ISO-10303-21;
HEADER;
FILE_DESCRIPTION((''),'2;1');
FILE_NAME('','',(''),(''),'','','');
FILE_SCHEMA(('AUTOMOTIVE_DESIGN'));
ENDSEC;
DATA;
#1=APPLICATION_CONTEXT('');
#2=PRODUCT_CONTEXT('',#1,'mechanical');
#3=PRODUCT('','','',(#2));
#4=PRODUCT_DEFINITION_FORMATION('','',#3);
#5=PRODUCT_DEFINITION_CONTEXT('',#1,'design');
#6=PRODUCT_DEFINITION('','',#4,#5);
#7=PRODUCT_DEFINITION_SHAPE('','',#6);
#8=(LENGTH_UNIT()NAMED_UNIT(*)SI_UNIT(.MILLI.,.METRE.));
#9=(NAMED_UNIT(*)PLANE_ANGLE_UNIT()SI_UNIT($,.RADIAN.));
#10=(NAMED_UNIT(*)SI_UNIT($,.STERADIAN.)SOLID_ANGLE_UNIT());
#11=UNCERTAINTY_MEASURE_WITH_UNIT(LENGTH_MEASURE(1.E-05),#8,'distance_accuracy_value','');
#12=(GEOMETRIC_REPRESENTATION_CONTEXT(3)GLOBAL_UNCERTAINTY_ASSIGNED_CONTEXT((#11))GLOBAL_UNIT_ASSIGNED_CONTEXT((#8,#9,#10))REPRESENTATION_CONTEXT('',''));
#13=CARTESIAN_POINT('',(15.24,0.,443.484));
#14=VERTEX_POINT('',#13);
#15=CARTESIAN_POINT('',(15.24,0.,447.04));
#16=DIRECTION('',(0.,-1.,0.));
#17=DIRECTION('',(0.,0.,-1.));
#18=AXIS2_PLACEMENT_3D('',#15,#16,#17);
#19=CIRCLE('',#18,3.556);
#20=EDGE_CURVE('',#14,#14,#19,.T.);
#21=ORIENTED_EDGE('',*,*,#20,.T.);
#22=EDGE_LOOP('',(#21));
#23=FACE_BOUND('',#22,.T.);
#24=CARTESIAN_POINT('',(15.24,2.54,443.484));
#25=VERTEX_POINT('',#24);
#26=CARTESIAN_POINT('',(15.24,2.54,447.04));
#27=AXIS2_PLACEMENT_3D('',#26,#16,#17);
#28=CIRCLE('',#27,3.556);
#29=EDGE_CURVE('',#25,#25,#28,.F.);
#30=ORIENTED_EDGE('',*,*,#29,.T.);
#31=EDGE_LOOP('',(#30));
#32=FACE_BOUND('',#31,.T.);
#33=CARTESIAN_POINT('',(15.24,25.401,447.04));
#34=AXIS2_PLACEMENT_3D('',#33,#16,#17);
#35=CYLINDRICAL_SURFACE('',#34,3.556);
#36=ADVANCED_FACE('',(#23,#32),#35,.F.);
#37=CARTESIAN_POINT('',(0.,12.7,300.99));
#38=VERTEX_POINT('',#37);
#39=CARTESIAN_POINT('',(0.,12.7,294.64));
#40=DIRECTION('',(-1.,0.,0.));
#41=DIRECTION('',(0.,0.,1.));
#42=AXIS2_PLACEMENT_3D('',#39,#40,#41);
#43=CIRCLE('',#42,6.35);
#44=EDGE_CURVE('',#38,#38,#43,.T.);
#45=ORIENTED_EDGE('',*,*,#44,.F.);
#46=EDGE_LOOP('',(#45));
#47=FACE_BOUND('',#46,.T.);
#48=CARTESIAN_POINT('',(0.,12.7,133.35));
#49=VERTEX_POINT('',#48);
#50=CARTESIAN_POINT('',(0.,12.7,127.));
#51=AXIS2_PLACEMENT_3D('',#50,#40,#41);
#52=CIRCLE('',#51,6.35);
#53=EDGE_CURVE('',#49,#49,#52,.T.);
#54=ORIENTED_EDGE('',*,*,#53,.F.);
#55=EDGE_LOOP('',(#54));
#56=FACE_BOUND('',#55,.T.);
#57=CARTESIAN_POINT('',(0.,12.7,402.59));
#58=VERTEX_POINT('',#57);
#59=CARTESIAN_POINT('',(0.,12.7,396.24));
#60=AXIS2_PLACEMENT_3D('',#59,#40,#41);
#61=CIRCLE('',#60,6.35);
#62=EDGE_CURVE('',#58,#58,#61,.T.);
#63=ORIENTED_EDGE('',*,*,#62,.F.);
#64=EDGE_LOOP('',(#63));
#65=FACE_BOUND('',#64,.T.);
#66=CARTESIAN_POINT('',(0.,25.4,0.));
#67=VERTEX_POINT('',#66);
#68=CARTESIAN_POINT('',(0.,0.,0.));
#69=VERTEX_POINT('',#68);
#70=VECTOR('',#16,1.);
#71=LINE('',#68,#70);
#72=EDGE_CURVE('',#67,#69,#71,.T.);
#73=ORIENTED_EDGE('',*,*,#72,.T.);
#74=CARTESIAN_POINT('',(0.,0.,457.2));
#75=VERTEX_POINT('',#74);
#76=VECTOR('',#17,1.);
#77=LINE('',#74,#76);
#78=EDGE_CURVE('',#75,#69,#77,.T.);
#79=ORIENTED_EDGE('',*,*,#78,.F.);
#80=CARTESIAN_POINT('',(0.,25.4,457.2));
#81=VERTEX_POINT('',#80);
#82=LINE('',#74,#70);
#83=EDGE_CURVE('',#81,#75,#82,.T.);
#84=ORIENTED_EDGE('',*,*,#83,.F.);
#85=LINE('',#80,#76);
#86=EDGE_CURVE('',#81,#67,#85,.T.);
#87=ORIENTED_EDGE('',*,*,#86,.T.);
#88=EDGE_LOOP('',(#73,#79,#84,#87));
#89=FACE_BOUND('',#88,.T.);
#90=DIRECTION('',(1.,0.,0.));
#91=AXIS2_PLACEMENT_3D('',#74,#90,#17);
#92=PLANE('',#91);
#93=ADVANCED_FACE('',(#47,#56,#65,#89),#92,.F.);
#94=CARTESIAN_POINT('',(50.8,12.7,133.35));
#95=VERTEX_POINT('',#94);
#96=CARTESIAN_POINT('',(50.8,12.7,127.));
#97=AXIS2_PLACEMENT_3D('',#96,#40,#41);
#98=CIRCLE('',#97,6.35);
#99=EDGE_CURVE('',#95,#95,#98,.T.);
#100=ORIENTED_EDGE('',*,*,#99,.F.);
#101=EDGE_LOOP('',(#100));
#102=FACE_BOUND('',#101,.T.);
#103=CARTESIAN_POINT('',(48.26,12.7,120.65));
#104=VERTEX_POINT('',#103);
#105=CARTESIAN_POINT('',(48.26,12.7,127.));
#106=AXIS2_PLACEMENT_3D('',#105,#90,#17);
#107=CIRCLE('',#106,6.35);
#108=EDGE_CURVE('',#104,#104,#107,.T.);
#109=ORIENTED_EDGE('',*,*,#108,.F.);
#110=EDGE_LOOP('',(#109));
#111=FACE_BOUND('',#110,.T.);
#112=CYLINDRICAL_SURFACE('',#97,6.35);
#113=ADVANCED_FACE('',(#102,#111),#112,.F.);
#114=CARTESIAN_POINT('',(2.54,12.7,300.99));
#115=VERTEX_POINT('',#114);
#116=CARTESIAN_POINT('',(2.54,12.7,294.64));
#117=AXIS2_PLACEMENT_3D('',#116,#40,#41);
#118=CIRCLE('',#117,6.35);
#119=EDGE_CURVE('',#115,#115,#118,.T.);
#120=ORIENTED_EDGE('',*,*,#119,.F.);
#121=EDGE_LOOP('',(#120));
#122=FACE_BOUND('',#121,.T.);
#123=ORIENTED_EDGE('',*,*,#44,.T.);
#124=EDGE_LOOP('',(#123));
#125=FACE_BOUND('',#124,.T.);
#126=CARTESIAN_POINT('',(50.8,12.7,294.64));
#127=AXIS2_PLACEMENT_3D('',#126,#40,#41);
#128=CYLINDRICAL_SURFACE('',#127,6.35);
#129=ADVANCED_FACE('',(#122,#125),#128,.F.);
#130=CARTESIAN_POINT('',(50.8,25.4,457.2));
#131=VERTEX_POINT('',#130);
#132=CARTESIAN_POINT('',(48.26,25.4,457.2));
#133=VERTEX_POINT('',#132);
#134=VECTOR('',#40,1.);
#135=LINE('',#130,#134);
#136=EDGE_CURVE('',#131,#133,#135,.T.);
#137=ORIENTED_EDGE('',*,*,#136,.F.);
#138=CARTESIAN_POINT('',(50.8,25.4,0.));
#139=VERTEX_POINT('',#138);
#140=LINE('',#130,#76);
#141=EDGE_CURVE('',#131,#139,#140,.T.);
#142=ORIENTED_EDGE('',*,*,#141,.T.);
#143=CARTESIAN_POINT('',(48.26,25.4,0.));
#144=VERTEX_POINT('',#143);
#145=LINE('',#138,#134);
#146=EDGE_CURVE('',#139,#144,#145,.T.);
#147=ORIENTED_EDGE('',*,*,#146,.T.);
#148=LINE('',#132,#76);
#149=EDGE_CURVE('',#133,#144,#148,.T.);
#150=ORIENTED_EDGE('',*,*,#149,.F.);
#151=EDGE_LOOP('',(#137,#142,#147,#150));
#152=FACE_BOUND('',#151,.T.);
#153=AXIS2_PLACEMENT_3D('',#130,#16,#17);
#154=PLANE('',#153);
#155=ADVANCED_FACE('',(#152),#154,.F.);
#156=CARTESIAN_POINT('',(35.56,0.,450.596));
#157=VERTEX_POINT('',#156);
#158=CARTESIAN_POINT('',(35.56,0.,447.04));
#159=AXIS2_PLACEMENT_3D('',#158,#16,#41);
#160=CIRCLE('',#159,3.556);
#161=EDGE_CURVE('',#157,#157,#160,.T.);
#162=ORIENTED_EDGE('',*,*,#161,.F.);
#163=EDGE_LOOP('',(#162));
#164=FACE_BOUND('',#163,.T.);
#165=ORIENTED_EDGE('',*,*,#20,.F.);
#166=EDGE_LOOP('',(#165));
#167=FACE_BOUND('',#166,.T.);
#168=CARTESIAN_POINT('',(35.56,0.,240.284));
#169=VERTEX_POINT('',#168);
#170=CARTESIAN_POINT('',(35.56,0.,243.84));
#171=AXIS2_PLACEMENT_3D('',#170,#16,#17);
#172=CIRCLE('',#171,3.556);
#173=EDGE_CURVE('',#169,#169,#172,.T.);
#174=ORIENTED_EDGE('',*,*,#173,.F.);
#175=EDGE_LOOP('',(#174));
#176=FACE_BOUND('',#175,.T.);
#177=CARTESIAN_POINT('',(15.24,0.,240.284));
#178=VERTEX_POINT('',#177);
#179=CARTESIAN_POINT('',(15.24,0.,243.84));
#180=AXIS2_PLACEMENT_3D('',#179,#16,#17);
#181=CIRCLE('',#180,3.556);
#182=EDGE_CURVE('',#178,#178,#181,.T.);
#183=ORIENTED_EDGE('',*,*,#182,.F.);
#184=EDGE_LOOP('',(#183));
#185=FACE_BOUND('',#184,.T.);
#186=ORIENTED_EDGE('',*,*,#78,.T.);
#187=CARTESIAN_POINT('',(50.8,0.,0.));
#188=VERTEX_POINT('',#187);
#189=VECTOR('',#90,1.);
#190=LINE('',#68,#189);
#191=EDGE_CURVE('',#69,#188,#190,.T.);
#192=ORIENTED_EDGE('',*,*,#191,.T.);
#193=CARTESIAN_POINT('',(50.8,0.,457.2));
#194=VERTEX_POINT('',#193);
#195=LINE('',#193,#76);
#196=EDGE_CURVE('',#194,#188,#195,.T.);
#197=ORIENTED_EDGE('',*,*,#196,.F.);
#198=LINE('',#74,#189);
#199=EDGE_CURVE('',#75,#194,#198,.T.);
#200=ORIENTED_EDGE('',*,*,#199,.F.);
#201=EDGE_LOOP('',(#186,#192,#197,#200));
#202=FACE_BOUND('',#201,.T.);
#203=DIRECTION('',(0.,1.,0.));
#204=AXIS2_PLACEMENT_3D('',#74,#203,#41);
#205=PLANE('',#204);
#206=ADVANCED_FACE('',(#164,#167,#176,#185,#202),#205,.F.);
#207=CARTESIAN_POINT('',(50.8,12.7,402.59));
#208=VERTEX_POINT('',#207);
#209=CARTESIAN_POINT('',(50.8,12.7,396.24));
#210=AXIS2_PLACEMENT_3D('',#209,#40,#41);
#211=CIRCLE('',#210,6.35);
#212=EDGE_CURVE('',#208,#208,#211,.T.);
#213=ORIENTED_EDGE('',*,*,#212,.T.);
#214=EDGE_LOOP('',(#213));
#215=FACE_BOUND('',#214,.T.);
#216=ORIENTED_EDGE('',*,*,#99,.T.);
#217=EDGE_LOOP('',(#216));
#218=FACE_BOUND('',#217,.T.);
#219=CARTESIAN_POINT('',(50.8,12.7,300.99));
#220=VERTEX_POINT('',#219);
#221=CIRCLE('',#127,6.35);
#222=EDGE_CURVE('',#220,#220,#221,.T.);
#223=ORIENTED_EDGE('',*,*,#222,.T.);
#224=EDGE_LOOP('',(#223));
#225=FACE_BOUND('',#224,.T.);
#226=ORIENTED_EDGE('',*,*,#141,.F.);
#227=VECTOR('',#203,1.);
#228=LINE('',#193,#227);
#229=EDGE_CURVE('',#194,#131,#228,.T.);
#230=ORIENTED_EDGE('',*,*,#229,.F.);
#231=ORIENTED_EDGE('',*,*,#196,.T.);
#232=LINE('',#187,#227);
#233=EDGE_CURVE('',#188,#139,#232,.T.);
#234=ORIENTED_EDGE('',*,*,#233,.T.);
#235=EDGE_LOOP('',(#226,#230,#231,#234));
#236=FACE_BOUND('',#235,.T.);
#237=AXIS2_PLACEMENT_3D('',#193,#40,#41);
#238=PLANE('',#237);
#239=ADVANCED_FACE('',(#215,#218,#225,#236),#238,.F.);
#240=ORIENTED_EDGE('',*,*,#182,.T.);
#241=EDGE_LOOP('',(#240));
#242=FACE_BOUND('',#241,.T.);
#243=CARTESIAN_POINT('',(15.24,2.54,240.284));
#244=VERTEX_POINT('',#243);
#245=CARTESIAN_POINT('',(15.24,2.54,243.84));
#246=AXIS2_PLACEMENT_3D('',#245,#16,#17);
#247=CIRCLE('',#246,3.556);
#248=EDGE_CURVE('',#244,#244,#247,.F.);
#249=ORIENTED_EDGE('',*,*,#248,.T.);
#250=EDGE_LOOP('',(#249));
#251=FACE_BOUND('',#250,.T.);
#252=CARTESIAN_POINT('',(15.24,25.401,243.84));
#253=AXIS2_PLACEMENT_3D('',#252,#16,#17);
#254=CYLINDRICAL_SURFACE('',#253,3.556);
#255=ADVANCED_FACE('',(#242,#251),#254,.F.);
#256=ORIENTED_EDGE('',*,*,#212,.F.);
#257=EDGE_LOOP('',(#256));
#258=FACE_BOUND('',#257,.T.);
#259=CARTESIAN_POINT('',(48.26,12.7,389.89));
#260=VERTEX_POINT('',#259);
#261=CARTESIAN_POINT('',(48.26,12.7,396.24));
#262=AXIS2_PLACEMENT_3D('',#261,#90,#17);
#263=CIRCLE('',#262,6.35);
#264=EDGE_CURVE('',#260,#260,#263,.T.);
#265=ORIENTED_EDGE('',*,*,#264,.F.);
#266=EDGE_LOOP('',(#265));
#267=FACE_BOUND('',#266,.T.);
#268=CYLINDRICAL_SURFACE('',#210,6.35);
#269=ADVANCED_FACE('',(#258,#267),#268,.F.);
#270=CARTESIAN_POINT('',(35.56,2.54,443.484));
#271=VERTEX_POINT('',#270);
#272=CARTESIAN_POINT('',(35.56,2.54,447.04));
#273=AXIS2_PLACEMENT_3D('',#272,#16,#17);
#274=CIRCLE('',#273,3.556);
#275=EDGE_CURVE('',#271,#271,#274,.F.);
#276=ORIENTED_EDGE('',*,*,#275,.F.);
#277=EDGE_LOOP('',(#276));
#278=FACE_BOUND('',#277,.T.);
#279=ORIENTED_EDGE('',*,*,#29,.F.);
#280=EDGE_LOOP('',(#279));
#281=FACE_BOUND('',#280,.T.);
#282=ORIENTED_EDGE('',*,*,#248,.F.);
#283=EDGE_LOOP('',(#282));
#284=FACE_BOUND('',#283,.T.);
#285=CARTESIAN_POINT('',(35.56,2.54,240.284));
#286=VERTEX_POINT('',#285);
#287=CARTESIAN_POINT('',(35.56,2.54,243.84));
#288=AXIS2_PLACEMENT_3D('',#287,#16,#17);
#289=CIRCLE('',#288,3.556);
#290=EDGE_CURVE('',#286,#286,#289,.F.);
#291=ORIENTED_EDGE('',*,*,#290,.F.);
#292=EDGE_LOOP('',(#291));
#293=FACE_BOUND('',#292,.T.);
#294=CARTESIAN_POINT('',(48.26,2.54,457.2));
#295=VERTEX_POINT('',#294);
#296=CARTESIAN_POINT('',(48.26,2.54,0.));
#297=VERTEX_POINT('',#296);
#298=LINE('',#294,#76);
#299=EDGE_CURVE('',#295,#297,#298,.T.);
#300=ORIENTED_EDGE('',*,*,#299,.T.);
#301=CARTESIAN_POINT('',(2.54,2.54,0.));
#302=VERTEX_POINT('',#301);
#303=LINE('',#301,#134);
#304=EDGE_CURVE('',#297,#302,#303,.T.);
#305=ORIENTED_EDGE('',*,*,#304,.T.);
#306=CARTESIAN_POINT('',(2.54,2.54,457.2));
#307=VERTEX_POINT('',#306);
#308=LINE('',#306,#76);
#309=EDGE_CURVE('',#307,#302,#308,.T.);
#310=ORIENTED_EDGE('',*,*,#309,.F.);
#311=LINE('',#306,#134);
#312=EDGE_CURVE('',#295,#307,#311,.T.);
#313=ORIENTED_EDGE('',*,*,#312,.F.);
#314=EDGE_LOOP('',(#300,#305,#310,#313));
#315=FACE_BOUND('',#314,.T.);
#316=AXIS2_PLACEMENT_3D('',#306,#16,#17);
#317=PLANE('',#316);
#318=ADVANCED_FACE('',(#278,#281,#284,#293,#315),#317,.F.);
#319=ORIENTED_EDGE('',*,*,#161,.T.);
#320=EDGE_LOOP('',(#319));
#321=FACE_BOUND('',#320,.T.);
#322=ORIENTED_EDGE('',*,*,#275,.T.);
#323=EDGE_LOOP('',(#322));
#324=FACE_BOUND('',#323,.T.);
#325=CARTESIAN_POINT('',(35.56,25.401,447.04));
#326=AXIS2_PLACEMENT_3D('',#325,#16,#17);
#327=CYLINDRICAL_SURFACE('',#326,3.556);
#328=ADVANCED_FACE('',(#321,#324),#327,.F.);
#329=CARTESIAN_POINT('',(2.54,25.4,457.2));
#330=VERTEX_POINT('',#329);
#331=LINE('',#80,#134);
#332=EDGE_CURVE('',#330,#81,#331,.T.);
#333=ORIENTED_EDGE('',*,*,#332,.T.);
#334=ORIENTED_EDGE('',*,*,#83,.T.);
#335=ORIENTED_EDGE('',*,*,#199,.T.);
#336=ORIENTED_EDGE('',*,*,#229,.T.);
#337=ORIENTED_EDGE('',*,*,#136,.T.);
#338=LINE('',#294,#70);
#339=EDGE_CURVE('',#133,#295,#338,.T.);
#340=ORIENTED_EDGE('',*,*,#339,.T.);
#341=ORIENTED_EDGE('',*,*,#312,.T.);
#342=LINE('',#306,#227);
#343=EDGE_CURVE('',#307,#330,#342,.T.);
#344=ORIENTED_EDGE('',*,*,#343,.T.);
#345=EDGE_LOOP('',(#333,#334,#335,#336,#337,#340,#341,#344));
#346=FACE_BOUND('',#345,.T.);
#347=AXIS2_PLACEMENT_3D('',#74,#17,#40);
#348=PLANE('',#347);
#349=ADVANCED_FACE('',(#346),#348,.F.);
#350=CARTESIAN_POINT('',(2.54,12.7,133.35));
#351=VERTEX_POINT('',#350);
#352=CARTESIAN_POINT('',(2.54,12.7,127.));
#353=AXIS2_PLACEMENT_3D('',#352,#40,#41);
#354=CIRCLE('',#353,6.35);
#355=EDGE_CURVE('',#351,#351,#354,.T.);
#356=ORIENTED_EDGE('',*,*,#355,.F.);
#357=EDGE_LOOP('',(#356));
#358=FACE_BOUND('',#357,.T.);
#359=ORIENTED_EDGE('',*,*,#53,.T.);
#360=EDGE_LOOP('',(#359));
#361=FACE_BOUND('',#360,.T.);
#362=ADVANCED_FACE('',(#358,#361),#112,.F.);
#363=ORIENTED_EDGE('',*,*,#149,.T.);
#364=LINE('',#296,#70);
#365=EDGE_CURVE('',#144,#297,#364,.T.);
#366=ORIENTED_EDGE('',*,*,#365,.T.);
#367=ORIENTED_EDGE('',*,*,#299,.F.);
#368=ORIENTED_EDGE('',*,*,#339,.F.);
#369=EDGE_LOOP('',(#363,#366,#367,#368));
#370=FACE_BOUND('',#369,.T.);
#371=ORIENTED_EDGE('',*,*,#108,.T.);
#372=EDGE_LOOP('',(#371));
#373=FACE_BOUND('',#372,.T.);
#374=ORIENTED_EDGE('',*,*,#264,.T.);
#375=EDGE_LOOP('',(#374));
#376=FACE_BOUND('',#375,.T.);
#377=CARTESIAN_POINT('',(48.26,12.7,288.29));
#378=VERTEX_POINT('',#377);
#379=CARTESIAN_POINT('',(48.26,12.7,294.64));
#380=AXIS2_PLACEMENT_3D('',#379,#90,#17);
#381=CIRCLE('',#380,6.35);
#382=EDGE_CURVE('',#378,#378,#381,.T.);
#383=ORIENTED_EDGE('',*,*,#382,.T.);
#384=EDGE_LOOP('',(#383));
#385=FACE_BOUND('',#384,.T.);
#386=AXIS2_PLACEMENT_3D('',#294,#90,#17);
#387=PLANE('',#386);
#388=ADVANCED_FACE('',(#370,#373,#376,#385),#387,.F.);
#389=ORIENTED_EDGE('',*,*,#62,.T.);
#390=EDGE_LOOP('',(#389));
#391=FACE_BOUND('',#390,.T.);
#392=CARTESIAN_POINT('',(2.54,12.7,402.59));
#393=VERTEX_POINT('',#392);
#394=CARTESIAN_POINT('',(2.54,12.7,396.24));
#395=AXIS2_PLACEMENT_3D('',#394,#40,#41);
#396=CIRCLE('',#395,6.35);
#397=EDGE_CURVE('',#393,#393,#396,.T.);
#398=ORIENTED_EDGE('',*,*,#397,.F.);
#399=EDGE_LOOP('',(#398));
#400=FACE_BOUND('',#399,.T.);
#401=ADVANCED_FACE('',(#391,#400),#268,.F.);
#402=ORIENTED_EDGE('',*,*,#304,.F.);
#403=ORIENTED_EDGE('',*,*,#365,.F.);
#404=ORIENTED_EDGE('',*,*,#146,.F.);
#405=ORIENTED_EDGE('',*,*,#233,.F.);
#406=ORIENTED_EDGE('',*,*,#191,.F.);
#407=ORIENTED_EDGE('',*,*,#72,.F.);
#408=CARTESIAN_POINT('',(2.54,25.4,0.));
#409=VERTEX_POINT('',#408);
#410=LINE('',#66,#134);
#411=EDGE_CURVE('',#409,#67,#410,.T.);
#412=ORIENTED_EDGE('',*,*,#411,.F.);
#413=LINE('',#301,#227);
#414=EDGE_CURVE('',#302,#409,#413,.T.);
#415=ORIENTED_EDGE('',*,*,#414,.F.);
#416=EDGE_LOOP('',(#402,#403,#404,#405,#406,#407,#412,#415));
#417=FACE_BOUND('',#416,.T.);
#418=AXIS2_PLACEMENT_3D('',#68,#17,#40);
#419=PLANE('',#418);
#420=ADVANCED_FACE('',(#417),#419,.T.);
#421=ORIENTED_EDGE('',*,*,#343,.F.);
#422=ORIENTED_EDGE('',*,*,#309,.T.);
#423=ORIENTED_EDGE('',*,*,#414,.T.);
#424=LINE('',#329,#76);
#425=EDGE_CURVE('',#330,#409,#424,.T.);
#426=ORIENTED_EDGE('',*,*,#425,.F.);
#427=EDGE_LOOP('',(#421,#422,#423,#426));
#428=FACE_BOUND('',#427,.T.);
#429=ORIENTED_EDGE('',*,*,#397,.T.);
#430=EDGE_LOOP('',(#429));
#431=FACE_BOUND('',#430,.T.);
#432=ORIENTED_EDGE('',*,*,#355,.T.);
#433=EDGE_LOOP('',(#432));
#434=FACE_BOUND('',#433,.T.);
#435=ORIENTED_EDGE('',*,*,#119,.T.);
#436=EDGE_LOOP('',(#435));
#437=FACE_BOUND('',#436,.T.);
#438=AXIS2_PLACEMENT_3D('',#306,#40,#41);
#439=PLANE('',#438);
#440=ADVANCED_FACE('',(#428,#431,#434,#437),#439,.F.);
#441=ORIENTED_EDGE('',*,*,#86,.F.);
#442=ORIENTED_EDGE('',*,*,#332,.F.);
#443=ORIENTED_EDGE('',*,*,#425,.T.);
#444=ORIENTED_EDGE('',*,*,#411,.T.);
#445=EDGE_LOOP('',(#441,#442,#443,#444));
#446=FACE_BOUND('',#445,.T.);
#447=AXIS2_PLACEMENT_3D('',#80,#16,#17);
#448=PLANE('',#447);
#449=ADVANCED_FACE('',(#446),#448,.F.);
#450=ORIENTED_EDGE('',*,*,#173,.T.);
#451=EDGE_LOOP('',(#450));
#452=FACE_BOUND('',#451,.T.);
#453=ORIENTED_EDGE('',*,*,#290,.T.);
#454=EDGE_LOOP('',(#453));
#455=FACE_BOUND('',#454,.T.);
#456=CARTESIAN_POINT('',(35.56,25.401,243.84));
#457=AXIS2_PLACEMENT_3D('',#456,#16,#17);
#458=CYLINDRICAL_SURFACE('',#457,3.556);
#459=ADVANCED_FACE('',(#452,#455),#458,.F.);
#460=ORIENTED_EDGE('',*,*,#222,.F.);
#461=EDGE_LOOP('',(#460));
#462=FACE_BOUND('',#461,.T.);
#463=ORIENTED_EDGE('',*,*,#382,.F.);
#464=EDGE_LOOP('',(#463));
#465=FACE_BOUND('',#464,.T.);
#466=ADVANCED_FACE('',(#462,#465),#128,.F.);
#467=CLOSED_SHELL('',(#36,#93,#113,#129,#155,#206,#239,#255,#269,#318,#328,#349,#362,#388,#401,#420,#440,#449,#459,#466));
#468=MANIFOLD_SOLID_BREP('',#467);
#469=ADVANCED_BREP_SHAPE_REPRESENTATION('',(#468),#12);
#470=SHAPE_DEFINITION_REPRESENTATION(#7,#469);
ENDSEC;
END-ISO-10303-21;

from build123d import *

# Parameters (mm, degrees)
BOSS_EXTRUDE1_DEPTH = 457.2
CUT_EXTRUDE1_REACH  = 27.4
SKETCH2_R           = 3.556
CUT_EXTRUDE2_REACH  = 27.4
SKETCH3_R           = 3.556
SKETCH4_R           = 6.35
CUT_EXTRUDE3_DEPTH  = 51.8


with BuildPart() as part:
    # Sketch1 → Boss-Extrude1 (new body)
    with BuildSketch(Plane.XY):
        Polygon((48.26, 2.54), (48.26, 25.4), (50.8, 25.4), (50.8, 0), (0, 0), (0, 25.4), (2.54, 25.4), (2.54, 2.54), align=None)
    extrude(amount=BOSS_EXTRUDE1_DEPTH)

    # Sketch2 → Cut-Extrude1 (cut, up to next)
    with BuildSketch(Plane.XZ, mode=Mode.PRIVATE) as cut_extrude1_sk1:
        with Locations((15.24, 447.04)):
            Circle(SKETCH2_R)
    cut_extrude1_tool1 = extrude(cut_extrude1_sk1.sketch, amount=-CUT_EXTRUDE1_REACH, mode=Mode.PRIVATE) & part.part
    add(cut_extrude1_tool1.solids().sort_by_distance((15.24, 0, 447.04))[0], mode=Mode.SUBTRACT)
    # Sketch2 → Cut-Extrude1 (cut, up to next)
    with BuildSketch(Plane.XZ, mode=Mode.PRIVATE) as cut_extrude1_sk2:
        with Locations((35.56, 447.04)):
            Circle(SKETCH2_R)
    cut_extrude1_tool2 = extrude(cut_extrude1_sk2.sketch, amount=-CUT_EXTRUDE1_REACH, mode=Mode.PRIVATE) & part.part
    add(cut_extrude1_tool2.solids().sort_by_distance((35.56, 0, 447.04))[0], mode=Mode.SUBTRACT)

    # Sketch3 → Cut-Extrude2 (cut, up to next)
    with BuildSketch(Plane.XZ, mode=Mode.PRIVATE) as cut_extrude2_sk1:
        with Locations((15.24, 243.84)):
            Circle(SKETCH3_R)
    cut_extrude2_tool1 = extrude(cut_extrude2_sk1.sketch, amount=-CUT_EXTRUDE2_REACH, mode=Mode.PRIVATE) & part.part
    add(cut_extrude2_tool1.solids().sort_by_distance((15.24, 0, 243.84))[0], mode=Mode.SUBTRACT)
    # Sketch3 → Cut-Extrude2 (cut, up to next)
    with BuildSketch(Plane.XZ, mode=Mode.PRIVATE) as cut_extrude2_sk2:
        with Locations((35.56, 243.84)):
            Circle(SKETCH3_R)
    cut_extrude2_tool2 = extrude(cut_extrude2_sk2.sketch, amount=-CUT_EXTRUDE2_REACH, mode=Mode.PRIVATE) & part.part
    add(cut_extrude2_tool2.solids().sort_by_distance((35.56, 0, 243.84))[0], mode=Mode.SUBTRACT)

    # Sketch4 → Cut-Extrude3 (cut, through all)
    with BuildSketch(Plane.ZY):
        with Locations((396.24, 12.7)):
            Circle(SKETCH4_R)
        with Locations((294.64, 12.7)):
            Circle(SKETCH4_R)
        with Locations((127, 12.7)):
            Circle(SKETCH4_R)
    extrude(amount=-CUT_EXTRUDE3_DEPTH, mode=Mode.SUBTRACT)


solid = part.part
